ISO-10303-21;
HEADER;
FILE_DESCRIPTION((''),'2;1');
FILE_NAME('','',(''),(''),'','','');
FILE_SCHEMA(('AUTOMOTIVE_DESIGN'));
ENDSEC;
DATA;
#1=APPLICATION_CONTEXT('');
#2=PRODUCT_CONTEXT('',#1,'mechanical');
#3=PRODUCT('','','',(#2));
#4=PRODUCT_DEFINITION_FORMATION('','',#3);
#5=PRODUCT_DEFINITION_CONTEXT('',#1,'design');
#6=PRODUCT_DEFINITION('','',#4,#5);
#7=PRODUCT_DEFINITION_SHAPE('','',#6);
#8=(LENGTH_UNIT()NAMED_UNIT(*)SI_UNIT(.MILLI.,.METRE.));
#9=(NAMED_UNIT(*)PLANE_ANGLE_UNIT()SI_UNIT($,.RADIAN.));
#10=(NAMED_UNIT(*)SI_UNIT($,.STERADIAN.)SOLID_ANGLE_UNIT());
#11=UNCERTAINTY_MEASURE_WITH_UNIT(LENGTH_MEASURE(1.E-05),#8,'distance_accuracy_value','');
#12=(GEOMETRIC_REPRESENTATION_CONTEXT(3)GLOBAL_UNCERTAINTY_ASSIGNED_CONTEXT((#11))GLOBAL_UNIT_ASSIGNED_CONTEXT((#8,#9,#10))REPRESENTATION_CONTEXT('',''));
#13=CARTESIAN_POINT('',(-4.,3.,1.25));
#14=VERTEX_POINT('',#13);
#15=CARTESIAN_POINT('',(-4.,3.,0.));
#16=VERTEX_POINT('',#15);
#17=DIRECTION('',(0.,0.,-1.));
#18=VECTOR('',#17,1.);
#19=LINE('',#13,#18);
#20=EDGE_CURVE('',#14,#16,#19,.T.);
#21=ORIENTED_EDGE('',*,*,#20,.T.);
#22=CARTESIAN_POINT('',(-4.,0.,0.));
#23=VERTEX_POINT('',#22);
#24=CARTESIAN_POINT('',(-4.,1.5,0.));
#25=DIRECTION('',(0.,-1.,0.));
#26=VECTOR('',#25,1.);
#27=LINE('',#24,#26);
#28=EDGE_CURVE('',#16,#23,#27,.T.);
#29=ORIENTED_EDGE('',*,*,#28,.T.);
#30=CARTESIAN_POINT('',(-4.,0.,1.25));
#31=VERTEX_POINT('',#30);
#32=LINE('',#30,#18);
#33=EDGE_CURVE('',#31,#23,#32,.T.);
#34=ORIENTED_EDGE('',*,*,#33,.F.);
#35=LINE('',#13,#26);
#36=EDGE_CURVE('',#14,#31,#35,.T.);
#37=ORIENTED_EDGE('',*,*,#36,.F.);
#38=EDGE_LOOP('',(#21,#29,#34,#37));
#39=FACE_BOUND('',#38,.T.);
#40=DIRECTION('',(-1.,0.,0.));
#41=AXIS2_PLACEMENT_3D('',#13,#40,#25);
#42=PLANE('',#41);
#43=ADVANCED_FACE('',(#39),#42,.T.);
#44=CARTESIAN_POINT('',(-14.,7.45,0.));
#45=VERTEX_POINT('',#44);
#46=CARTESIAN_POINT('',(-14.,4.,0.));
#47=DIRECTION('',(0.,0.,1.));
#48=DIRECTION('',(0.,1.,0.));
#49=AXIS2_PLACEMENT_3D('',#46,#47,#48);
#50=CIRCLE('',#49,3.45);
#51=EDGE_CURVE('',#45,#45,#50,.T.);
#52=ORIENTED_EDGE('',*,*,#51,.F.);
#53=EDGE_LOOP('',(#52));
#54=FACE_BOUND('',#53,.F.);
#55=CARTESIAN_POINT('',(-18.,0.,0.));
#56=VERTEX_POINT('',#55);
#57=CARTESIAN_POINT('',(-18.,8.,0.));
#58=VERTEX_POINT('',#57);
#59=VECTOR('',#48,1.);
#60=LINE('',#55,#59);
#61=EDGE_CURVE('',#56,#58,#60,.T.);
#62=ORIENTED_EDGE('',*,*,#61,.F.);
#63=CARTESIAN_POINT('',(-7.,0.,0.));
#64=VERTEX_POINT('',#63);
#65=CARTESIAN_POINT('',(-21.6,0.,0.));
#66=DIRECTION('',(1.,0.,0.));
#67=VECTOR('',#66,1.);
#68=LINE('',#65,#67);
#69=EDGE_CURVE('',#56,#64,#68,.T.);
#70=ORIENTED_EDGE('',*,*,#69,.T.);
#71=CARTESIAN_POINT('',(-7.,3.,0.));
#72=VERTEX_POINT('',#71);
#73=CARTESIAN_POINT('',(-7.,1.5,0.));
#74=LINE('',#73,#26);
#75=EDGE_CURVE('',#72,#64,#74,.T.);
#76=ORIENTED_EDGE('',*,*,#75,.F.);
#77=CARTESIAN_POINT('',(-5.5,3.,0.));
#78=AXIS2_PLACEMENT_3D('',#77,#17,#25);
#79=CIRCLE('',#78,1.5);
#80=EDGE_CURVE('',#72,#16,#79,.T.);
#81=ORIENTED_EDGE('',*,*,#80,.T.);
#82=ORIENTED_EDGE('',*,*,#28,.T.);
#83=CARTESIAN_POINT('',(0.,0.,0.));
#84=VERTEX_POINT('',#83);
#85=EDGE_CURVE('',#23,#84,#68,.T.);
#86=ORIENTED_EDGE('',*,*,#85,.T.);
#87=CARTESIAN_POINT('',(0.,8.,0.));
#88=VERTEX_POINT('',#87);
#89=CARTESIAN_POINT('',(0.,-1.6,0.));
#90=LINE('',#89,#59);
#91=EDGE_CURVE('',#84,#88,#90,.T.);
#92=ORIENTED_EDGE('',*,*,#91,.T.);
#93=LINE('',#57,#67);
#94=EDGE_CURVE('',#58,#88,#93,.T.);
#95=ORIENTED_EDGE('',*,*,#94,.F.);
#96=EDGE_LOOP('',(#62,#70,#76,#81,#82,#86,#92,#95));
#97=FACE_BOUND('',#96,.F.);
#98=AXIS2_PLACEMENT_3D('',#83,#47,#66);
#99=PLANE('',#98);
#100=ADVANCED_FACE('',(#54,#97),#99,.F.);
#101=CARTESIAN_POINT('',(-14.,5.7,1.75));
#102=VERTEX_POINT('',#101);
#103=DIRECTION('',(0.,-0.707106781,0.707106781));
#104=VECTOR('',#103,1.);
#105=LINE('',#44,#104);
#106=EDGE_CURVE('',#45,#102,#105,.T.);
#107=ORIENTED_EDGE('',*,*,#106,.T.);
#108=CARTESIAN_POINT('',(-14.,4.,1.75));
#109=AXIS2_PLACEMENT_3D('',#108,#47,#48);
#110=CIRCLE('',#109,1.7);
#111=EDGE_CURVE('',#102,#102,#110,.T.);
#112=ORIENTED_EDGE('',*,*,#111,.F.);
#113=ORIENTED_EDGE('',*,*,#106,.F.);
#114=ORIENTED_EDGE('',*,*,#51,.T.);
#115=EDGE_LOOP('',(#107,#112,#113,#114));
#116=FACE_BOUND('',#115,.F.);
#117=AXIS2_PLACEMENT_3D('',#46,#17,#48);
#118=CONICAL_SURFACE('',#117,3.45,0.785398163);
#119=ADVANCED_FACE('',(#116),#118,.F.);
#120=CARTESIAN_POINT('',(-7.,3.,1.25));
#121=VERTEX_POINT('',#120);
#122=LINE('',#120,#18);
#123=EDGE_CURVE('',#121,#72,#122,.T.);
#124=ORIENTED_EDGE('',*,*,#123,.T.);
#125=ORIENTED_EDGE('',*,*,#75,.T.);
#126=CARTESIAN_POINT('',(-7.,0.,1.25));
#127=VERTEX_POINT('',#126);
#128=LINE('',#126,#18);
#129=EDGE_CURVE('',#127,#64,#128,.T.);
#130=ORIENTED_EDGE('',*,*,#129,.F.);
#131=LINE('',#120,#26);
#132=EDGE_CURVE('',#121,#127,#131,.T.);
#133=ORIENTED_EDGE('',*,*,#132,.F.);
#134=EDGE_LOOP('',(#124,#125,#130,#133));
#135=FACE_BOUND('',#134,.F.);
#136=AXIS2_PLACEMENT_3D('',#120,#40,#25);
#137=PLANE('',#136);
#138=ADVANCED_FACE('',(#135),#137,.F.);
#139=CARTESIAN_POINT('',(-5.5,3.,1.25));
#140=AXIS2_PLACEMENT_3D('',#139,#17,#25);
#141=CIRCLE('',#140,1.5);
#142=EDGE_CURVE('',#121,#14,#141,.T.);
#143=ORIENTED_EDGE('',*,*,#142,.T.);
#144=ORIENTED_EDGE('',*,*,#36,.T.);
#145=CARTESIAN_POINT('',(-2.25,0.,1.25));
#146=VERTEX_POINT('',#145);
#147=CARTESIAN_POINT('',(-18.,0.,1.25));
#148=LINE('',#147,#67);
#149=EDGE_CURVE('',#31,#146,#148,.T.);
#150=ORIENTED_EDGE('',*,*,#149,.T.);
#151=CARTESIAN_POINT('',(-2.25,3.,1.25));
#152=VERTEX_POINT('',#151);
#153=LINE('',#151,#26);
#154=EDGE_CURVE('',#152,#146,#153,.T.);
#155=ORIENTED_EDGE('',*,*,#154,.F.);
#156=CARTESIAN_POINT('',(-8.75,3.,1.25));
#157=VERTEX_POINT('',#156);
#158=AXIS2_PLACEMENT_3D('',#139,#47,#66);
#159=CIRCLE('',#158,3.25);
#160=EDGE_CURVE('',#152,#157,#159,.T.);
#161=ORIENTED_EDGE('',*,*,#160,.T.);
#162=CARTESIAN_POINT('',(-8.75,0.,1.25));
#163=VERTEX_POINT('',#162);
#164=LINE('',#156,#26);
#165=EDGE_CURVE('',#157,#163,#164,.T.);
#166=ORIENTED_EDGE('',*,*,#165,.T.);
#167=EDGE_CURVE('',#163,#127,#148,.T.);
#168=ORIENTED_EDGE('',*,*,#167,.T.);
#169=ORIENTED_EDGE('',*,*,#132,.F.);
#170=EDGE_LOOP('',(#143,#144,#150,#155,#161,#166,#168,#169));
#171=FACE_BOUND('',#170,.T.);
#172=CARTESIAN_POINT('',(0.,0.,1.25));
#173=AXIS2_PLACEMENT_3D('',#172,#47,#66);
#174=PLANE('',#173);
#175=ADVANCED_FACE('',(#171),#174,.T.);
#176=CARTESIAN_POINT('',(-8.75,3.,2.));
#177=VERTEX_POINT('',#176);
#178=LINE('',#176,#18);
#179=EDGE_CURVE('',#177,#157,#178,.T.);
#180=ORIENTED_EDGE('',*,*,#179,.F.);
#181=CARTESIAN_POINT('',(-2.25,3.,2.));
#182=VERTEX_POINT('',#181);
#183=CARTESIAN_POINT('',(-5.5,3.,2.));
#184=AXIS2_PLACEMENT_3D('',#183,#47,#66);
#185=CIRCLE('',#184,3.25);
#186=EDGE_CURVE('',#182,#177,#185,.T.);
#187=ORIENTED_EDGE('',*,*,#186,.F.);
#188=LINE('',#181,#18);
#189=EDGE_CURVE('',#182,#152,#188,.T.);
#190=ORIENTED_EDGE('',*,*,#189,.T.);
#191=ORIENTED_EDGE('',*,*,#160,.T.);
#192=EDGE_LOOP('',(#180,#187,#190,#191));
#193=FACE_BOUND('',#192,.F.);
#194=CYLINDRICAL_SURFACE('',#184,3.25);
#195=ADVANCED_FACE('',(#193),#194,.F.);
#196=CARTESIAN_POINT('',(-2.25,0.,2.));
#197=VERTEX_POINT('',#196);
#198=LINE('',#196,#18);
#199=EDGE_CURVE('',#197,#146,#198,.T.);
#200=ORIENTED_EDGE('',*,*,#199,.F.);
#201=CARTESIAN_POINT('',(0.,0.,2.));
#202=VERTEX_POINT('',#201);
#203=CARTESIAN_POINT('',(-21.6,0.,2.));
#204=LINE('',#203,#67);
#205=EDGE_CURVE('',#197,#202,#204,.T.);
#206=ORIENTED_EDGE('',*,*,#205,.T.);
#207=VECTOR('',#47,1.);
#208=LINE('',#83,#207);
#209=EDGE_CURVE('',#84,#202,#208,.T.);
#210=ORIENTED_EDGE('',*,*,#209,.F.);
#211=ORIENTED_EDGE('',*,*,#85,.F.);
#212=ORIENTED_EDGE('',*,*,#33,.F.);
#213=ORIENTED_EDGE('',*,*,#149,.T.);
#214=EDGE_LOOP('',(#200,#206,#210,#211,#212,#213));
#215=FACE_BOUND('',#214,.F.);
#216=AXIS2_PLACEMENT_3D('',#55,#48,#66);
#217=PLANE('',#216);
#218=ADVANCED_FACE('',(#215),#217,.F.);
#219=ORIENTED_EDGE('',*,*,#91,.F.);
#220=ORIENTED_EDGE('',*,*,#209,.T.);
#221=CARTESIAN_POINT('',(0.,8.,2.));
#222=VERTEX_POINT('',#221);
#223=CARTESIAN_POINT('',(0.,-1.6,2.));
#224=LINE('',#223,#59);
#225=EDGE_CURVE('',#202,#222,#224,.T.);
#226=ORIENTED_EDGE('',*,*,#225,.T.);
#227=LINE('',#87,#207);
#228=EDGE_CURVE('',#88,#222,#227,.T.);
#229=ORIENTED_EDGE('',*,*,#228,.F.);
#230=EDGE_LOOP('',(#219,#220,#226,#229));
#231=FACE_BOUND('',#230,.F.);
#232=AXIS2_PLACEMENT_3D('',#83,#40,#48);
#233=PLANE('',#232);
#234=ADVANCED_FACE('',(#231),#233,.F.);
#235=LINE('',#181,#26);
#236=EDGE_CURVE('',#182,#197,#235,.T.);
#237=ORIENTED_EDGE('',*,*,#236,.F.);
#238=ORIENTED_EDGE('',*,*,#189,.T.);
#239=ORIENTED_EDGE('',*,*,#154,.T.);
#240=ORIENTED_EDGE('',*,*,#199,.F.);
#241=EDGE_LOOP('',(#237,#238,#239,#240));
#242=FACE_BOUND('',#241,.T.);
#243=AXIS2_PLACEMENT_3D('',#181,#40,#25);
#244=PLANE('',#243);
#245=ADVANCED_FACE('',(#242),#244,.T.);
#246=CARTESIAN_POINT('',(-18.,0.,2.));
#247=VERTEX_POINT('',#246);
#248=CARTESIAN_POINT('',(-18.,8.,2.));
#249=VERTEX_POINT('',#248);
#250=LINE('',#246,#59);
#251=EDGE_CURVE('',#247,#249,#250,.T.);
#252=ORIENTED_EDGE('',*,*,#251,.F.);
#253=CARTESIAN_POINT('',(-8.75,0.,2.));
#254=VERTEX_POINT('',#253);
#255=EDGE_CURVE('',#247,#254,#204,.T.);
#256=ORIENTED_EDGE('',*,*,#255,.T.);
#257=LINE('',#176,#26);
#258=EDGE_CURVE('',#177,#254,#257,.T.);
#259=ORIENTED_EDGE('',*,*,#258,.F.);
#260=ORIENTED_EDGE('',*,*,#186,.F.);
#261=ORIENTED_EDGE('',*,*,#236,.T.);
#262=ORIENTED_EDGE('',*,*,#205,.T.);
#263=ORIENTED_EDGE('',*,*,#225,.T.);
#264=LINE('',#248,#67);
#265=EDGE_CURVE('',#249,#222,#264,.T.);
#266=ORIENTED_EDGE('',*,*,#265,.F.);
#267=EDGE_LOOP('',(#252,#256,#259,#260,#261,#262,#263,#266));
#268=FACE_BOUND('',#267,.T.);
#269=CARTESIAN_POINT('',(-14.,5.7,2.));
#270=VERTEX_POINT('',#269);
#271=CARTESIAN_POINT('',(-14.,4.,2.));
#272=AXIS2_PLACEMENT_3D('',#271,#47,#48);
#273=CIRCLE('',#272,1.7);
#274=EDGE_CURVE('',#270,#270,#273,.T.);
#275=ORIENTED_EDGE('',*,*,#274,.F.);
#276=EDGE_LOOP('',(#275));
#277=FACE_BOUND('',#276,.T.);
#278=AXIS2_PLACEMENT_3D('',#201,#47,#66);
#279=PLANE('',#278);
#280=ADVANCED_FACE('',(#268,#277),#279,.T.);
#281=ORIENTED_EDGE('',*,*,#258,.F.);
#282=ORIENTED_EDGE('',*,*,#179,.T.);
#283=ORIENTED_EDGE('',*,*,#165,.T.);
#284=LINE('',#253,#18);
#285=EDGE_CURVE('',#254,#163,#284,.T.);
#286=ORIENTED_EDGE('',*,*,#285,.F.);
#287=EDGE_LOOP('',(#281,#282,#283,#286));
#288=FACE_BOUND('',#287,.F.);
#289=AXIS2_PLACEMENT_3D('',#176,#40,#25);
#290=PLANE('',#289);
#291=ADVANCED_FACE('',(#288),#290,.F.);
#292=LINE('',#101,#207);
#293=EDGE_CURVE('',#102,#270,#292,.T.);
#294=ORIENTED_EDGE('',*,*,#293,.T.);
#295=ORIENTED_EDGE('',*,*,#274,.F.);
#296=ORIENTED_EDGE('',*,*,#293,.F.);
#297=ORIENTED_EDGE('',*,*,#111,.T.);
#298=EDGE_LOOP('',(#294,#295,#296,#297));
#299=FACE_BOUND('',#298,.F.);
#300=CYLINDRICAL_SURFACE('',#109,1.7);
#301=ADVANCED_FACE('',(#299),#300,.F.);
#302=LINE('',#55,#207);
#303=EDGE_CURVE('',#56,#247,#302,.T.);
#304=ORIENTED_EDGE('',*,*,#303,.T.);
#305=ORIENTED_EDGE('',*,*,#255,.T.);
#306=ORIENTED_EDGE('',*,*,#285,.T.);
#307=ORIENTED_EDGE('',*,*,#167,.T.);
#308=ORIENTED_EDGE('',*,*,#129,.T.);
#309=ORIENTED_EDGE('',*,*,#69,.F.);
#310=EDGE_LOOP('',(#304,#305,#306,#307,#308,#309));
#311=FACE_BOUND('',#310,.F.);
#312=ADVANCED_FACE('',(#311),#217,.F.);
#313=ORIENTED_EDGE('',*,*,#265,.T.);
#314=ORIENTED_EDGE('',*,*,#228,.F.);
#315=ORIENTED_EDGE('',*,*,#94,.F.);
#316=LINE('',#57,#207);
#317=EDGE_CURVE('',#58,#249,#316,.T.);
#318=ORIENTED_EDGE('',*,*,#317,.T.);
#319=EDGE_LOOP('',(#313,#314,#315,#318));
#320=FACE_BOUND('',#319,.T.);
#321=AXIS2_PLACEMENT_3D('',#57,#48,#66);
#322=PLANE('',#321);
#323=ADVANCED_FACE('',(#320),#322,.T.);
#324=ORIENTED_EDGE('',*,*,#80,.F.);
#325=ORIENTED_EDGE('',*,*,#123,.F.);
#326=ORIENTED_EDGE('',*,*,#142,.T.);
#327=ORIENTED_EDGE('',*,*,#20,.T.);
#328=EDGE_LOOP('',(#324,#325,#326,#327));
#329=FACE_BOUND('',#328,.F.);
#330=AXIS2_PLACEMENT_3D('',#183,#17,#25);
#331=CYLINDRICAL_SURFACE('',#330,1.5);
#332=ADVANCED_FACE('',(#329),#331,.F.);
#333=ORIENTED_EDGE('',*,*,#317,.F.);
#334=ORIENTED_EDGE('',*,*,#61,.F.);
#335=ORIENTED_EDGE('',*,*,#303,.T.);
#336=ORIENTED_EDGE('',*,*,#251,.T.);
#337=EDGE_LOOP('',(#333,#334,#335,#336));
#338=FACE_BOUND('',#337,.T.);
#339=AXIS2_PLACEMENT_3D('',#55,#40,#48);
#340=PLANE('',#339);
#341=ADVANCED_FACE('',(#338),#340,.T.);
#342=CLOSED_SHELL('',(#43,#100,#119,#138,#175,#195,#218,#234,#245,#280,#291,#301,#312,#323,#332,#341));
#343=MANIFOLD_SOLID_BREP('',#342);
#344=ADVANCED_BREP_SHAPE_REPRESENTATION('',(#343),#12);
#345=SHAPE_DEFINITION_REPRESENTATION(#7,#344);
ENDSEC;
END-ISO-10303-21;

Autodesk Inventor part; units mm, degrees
ref_plane "YZ Plane" through (0, 0, 0) normal (1, 0, 0) x (0, 1, 0)
ref_plane "XZ Plane" through (0, 0, 0) normal (0, 1, 0) x (-1, 0, 0)
ref_plane "XY Plane" through (0, 0, 0) normal (0, 0, 1) x (1, 0, 0)
sketch "Skizze1" plane through (0, 0, 0) normal (0, 0, 1) x (1, 0, 0)
  line L0 (-21.6, 0) -> (3.6, 0) projected
  line L1 (0, -1.6) -> (0, 9.6) projected
  line L2 (0, 0) -> (-18, 0)
  line L3 (-18, 0) -> (-18, 8)
  line L4 (-18, 8) -> (0, 8)
  line L5 (0, 8) -> (0, 0)
  dimension "d0" = 8
  dimension "d1" = 18
extrude "Extrusion1" add sketch "Skizze1" along normal blind 2
sketch "Skizze2" plane through (0, 0, 2) normal (0, 0, 1) x (1, 0, 0)
  line L0 (-18, 0) -> (0, 0) projected
  line L1 (0, 0) -> (0, 8) projected
  point P0 (-5.5, 3)
  dimension "d4" = 5.5
  dimension "d5" = 3
hole "Bohrung1" at (-5.5, 3, 2) direction (0, 0, -1) diameter 3 depth 8 tip angle 118
sketch "Skizze3" plane through (0, 0, 2) normal (0, 0, 1) x (1, 0, 0)
  circle A0 centre (-5.5, 3) radius 1.5 projected
  line L0 (-18, 0) -> (0, 0) projected
  arc A1 (-2.25, 3) -> (-8.75, 3) centre (-5.5, 3) ccw
  line L1 (-8.75, 3) -> (-8.75, 0)
  line L2 (-2.25, 3) -> (-2.25, 0)
  dimension "d13" = 6.5
extrude "Extrusion2" cut sketch "Skizze3" against normal blind 0.75
sketch "Skizze4" plane through (0, 0, 1.25) normal (0, 0, 1) x (1, 0, 0)
  circle A0 centre (-5.5, 3) radius 1.5 projected
  line L0 (-2.25, 0) -> (-8.75, 0) projected
  line L1 (-7, 3) -> (-7, 0)
  line L2 (-4, 3) -> (-4, 0)
  point P0 (0, 0)
extrude "Extrusion3" cut sketch "Skizze4" against normal through all contours L2 L0 L1 A0
sketch "Skizze5" plane through (0, 0, 0) normal (0, 0, -1) x (-1, 0, 0)
  line L0 (7, 0) -> (18, 0) projected
  line L1 (18, 0) -> (18, 8) projected
  arc A0 (8.75, 3) -> (2.25, 3) centre (5.5, 3) ccw projected
  point P0 (14, 4)
  dimension "d18" = 4
  dimension "d19" = 4
hole "Bohrung2" at (-14, 4, 0) direction (0, 0, 1) diameter 3.4 end through all countersink diameter 6.9 countersink angle 90
properties part number "13_1087_036"
